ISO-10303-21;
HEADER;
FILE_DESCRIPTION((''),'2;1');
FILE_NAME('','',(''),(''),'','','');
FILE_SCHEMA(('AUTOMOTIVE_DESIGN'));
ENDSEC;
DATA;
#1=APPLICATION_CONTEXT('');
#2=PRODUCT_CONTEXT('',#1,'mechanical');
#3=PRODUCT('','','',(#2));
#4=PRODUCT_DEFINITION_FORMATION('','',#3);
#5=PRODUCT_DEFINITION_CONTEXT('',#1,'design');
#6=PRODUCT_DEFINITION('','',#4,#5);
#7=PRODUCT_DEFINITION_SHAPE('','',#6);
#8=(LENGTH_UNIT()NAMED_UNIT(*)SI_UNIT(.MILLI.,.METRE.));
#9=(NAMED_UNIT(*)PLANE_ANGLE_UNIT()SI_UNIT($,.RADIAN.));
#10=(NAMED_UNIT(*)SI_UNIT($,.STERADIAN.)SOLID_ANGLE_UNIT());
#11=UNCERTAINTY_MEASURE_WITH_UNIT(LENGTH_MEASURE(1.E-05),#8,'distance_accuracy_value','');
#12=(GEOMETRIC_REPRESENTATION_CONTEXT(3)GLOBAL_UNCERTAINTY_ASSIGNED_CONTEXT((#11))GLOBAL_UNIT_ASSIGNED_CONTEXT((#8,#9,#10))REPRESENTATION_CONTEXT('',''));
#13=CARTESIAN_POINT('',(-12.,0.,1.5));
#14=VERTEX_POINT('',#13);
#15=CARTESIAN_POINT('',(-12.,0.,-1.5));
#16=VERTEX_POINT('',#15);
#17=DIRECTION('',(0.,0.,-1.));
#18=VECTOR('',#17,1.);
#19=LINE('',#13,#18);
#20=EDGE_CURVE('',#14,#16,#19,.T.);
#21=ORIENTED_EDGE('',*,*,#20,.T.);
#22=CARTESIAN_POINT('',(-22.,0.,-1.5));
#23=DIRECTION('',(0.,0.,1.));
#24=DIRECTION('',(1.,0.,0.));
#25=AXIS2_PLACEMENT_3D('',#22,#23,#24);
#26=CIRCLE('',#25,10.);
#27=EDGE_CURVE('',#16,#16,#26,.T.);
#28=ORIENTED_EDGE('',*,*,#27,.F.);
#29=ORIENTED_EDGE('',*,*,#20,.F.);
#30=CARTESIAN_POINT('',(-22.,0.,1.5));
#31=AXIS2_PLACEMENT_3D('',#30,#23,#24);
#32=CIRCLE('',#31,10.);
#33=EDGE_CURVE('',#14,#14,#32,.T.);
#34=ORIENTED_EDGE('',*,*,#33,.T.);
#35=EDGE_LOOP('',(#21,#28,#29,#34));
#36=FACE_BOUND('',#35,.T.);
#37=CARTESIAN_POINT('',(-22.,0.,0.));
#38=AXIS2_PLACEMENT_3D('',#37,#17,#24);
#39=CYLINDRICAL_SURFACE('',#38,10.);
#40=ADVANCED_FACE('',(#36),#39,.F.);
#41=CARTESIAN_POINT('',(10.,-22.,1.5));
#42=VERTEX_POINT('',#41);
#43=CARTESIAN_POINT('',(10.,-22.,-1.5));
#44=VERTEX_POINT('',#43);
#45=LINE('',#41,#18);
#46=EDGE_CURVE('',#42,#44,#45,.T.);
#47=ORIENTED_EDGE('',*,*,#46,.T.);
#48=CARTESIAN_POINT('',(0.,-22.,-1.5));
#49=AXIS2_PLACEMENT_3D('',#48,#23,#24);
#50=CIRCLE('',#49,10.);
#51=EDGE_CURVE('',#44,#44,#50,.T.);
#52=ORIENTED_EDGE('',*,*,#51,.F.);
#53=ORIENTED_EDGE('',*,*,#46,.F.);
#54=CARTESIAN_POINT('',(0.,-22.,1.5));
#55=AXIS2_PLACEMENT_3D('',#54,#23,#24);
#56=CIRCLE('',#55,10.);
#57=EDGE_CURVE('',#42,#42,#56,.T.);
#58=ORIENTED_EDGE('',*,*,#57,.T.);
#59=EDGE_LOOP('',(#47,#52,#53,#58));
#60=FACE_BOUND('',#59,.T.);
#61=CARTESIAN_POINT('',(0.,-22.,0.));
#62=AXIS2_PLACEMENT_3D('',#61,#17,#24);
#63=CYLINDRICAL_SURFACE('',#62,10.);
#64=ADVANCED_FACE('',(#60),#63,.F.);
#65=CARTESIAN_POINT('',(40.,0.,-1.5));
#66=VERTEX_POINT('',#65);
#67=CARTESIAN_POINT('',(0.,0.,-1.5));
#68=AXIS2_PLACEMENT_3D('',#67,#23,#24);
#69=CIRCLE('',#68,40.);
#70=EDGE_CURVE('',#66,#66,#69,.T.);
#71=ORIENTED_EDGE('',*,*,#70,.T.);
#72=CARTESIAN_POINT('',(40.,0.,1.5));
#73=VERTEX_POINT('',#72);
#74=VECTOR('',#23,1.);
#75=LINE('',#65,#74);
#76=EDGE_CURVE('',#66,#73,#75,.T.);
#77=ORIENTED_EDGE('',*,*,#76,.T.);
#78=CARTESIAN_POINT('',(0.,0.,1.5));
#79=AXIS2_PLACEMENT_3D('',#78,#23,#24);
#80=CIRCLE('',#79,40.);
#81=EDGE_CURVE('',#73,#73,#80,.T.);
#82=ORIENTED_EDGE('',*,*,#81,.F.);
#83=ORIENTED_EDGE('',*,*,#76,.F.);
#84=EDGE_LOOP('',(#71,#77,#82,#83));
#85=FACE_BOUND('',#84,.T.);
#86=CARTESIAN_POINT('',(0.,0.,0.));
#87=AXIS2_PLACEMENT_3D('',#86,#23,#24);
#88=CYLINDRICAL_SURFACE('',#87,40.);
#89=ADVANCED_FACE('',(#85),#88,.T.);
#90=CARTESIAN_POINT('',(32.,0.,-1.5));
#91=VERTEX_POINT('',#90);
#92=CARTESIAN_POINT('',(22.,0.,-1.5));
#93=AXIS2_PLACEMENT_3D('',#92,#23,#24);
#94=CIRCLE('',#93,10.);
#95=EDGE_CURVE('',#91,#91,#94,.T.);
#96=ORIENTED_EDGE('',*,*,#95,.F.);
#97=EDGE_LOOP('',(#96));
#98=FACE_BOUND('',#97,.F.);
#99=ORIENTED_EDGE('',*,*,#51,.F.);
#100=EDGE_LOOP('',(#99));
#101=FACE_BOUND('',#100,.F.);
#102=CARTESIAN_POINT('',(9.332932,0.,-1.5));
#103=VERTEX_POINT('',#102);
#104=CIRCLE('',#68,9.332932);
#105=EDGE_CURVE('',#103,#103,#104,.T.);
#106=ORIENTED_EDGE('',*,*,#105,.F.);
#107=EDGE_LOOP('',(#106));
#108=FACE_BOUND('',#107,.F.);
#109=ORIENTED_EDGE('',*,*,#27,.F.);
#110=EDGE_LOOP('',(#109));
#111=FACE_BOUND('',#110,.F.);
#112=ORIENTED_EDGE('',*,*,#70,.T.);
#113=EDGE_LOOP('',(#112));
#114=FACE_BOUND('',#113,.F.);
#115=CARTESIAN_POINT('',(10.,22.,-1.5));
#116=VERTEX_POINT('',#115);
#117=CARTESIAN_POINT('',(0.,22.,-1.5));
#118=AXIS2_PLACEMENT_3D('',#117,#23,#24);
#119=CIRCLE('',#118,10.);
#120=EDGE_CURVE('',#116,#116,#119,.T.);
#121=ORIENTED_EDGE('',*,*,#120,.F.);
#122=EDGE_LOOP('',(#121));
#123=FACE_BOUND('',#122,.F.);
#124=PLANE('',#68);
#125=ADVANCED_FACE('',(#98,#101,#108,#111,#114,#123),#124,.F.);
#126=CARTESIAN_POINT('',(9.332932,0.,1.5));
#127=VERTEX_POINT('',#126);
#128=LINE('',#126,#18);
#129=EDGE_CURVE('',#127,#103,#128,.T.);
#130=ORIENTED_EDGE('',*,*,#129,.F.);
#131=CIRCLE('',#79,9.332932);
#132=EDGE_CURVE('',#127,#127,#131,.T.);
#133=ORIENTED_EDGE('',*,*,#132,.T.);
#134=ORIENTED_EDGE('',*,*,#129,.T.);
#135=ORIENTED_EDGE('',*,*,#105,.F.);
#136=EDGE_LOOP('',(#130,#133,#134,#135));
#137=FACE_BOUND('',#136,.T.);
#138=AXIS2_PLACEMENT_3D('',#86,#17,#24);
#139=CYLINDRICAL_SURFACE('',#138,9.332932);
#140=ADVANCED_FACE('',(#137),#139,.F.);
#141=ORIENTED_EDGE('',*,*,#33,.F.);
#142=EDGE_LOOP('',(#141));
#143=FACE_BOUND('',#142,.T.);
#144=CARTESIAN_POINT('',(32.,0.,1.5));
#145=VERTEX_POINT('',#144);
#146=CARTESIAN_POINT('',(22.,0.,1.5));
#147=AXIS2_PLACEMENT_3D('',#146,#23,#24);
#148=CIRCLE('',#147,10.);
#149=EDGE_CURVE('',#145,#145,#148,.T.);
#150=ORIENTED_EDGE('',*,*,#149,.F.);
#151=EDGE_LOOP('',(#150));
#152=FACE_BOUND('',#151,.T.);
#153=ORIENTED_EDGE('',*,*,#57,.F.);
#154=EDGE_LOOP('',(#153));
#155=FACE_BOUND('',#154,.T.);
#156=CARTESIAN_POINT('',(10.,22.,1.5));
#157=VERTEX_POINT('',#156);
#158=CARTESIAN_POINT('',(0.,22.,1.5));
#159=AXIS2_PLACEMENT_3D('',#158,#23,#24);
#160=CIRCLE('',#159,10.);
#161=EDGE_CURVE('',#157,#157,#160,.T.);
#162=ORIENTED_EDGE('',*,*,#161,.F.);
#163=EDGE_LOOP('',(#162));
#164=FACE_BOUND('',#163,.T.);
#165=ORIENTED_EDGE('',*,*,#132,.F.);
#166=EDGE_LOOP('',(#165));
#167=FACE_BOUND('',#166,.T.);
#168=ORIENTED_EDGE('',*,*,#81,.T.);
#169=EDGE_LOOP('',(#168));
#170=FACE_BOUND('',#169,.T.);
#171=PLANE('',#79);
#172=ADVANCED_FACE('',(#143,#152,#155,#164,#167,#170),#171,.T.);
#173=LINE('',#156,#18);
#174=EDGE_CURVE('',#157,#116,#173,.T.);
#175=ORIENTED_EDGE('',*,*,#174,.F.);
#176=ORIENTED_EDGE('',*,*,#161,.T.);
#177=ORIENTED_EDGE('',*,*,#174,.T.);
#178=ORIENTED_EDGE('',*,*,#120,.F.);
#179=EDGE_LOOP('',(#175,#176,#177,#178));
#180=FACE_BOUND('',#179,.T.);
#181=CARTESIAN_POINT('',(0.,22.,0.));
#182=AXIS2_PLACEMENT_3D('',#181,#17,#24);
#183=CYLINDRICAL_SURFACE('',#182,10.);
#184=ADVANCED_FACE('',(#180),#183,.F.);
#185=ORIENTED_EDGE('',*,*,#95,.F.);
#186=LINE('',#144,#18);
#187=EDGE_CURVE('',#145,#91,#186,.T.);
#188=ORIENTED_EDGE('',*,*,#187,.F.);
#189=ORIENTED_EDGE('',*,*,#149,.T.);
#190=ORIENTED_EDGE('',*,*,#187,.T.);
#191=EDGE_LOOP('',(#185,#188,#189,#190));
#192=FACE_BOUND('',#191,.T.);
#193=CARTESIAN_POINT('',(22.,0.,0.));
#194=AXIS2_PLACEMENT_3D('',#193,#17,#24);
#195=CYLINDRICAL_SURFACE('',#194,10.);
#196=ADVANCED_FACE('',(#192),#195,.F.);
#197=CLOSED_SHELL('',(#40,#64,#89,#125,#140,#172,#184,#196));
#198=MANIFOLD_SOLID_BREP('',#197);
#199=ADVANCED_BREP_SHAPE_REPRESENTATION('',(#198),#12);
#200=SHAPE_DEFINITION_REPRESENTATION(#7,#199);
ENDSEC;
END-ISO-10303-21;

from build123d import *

# Parameters (mm, degrees)
F0_R     = 40
F0_R_2   = 10
F0_R_3   = 9.332932
F1_DEPTH = 1.5


with BuildPart() as f1:
    # F0 (on Top) → F1 (new body, symmetric)
    with BuildSketch(Plane.XY):
        Circle(F0_R)
        with Locations((0, -22)):
            Circle(F0_R_2, mode=Mode.SUBTRACT)
        with Locations((-22, 0)):
            Circle(F0_R_2, mode=Mode.SUBTRACT)
        Circle(F0_R_3, mode=Mode.SUBTRACT)
        with Locations((22, 0)):
            Circle(F0_R_2, mode=Mode.SUBTRACT)
        with Locations((0, 22)):
            Circle(F0_R_2, mode=Mode.SUBTRACT)
    extrude(amount=F1_DEPTH, both=True)


solid = f1.part
